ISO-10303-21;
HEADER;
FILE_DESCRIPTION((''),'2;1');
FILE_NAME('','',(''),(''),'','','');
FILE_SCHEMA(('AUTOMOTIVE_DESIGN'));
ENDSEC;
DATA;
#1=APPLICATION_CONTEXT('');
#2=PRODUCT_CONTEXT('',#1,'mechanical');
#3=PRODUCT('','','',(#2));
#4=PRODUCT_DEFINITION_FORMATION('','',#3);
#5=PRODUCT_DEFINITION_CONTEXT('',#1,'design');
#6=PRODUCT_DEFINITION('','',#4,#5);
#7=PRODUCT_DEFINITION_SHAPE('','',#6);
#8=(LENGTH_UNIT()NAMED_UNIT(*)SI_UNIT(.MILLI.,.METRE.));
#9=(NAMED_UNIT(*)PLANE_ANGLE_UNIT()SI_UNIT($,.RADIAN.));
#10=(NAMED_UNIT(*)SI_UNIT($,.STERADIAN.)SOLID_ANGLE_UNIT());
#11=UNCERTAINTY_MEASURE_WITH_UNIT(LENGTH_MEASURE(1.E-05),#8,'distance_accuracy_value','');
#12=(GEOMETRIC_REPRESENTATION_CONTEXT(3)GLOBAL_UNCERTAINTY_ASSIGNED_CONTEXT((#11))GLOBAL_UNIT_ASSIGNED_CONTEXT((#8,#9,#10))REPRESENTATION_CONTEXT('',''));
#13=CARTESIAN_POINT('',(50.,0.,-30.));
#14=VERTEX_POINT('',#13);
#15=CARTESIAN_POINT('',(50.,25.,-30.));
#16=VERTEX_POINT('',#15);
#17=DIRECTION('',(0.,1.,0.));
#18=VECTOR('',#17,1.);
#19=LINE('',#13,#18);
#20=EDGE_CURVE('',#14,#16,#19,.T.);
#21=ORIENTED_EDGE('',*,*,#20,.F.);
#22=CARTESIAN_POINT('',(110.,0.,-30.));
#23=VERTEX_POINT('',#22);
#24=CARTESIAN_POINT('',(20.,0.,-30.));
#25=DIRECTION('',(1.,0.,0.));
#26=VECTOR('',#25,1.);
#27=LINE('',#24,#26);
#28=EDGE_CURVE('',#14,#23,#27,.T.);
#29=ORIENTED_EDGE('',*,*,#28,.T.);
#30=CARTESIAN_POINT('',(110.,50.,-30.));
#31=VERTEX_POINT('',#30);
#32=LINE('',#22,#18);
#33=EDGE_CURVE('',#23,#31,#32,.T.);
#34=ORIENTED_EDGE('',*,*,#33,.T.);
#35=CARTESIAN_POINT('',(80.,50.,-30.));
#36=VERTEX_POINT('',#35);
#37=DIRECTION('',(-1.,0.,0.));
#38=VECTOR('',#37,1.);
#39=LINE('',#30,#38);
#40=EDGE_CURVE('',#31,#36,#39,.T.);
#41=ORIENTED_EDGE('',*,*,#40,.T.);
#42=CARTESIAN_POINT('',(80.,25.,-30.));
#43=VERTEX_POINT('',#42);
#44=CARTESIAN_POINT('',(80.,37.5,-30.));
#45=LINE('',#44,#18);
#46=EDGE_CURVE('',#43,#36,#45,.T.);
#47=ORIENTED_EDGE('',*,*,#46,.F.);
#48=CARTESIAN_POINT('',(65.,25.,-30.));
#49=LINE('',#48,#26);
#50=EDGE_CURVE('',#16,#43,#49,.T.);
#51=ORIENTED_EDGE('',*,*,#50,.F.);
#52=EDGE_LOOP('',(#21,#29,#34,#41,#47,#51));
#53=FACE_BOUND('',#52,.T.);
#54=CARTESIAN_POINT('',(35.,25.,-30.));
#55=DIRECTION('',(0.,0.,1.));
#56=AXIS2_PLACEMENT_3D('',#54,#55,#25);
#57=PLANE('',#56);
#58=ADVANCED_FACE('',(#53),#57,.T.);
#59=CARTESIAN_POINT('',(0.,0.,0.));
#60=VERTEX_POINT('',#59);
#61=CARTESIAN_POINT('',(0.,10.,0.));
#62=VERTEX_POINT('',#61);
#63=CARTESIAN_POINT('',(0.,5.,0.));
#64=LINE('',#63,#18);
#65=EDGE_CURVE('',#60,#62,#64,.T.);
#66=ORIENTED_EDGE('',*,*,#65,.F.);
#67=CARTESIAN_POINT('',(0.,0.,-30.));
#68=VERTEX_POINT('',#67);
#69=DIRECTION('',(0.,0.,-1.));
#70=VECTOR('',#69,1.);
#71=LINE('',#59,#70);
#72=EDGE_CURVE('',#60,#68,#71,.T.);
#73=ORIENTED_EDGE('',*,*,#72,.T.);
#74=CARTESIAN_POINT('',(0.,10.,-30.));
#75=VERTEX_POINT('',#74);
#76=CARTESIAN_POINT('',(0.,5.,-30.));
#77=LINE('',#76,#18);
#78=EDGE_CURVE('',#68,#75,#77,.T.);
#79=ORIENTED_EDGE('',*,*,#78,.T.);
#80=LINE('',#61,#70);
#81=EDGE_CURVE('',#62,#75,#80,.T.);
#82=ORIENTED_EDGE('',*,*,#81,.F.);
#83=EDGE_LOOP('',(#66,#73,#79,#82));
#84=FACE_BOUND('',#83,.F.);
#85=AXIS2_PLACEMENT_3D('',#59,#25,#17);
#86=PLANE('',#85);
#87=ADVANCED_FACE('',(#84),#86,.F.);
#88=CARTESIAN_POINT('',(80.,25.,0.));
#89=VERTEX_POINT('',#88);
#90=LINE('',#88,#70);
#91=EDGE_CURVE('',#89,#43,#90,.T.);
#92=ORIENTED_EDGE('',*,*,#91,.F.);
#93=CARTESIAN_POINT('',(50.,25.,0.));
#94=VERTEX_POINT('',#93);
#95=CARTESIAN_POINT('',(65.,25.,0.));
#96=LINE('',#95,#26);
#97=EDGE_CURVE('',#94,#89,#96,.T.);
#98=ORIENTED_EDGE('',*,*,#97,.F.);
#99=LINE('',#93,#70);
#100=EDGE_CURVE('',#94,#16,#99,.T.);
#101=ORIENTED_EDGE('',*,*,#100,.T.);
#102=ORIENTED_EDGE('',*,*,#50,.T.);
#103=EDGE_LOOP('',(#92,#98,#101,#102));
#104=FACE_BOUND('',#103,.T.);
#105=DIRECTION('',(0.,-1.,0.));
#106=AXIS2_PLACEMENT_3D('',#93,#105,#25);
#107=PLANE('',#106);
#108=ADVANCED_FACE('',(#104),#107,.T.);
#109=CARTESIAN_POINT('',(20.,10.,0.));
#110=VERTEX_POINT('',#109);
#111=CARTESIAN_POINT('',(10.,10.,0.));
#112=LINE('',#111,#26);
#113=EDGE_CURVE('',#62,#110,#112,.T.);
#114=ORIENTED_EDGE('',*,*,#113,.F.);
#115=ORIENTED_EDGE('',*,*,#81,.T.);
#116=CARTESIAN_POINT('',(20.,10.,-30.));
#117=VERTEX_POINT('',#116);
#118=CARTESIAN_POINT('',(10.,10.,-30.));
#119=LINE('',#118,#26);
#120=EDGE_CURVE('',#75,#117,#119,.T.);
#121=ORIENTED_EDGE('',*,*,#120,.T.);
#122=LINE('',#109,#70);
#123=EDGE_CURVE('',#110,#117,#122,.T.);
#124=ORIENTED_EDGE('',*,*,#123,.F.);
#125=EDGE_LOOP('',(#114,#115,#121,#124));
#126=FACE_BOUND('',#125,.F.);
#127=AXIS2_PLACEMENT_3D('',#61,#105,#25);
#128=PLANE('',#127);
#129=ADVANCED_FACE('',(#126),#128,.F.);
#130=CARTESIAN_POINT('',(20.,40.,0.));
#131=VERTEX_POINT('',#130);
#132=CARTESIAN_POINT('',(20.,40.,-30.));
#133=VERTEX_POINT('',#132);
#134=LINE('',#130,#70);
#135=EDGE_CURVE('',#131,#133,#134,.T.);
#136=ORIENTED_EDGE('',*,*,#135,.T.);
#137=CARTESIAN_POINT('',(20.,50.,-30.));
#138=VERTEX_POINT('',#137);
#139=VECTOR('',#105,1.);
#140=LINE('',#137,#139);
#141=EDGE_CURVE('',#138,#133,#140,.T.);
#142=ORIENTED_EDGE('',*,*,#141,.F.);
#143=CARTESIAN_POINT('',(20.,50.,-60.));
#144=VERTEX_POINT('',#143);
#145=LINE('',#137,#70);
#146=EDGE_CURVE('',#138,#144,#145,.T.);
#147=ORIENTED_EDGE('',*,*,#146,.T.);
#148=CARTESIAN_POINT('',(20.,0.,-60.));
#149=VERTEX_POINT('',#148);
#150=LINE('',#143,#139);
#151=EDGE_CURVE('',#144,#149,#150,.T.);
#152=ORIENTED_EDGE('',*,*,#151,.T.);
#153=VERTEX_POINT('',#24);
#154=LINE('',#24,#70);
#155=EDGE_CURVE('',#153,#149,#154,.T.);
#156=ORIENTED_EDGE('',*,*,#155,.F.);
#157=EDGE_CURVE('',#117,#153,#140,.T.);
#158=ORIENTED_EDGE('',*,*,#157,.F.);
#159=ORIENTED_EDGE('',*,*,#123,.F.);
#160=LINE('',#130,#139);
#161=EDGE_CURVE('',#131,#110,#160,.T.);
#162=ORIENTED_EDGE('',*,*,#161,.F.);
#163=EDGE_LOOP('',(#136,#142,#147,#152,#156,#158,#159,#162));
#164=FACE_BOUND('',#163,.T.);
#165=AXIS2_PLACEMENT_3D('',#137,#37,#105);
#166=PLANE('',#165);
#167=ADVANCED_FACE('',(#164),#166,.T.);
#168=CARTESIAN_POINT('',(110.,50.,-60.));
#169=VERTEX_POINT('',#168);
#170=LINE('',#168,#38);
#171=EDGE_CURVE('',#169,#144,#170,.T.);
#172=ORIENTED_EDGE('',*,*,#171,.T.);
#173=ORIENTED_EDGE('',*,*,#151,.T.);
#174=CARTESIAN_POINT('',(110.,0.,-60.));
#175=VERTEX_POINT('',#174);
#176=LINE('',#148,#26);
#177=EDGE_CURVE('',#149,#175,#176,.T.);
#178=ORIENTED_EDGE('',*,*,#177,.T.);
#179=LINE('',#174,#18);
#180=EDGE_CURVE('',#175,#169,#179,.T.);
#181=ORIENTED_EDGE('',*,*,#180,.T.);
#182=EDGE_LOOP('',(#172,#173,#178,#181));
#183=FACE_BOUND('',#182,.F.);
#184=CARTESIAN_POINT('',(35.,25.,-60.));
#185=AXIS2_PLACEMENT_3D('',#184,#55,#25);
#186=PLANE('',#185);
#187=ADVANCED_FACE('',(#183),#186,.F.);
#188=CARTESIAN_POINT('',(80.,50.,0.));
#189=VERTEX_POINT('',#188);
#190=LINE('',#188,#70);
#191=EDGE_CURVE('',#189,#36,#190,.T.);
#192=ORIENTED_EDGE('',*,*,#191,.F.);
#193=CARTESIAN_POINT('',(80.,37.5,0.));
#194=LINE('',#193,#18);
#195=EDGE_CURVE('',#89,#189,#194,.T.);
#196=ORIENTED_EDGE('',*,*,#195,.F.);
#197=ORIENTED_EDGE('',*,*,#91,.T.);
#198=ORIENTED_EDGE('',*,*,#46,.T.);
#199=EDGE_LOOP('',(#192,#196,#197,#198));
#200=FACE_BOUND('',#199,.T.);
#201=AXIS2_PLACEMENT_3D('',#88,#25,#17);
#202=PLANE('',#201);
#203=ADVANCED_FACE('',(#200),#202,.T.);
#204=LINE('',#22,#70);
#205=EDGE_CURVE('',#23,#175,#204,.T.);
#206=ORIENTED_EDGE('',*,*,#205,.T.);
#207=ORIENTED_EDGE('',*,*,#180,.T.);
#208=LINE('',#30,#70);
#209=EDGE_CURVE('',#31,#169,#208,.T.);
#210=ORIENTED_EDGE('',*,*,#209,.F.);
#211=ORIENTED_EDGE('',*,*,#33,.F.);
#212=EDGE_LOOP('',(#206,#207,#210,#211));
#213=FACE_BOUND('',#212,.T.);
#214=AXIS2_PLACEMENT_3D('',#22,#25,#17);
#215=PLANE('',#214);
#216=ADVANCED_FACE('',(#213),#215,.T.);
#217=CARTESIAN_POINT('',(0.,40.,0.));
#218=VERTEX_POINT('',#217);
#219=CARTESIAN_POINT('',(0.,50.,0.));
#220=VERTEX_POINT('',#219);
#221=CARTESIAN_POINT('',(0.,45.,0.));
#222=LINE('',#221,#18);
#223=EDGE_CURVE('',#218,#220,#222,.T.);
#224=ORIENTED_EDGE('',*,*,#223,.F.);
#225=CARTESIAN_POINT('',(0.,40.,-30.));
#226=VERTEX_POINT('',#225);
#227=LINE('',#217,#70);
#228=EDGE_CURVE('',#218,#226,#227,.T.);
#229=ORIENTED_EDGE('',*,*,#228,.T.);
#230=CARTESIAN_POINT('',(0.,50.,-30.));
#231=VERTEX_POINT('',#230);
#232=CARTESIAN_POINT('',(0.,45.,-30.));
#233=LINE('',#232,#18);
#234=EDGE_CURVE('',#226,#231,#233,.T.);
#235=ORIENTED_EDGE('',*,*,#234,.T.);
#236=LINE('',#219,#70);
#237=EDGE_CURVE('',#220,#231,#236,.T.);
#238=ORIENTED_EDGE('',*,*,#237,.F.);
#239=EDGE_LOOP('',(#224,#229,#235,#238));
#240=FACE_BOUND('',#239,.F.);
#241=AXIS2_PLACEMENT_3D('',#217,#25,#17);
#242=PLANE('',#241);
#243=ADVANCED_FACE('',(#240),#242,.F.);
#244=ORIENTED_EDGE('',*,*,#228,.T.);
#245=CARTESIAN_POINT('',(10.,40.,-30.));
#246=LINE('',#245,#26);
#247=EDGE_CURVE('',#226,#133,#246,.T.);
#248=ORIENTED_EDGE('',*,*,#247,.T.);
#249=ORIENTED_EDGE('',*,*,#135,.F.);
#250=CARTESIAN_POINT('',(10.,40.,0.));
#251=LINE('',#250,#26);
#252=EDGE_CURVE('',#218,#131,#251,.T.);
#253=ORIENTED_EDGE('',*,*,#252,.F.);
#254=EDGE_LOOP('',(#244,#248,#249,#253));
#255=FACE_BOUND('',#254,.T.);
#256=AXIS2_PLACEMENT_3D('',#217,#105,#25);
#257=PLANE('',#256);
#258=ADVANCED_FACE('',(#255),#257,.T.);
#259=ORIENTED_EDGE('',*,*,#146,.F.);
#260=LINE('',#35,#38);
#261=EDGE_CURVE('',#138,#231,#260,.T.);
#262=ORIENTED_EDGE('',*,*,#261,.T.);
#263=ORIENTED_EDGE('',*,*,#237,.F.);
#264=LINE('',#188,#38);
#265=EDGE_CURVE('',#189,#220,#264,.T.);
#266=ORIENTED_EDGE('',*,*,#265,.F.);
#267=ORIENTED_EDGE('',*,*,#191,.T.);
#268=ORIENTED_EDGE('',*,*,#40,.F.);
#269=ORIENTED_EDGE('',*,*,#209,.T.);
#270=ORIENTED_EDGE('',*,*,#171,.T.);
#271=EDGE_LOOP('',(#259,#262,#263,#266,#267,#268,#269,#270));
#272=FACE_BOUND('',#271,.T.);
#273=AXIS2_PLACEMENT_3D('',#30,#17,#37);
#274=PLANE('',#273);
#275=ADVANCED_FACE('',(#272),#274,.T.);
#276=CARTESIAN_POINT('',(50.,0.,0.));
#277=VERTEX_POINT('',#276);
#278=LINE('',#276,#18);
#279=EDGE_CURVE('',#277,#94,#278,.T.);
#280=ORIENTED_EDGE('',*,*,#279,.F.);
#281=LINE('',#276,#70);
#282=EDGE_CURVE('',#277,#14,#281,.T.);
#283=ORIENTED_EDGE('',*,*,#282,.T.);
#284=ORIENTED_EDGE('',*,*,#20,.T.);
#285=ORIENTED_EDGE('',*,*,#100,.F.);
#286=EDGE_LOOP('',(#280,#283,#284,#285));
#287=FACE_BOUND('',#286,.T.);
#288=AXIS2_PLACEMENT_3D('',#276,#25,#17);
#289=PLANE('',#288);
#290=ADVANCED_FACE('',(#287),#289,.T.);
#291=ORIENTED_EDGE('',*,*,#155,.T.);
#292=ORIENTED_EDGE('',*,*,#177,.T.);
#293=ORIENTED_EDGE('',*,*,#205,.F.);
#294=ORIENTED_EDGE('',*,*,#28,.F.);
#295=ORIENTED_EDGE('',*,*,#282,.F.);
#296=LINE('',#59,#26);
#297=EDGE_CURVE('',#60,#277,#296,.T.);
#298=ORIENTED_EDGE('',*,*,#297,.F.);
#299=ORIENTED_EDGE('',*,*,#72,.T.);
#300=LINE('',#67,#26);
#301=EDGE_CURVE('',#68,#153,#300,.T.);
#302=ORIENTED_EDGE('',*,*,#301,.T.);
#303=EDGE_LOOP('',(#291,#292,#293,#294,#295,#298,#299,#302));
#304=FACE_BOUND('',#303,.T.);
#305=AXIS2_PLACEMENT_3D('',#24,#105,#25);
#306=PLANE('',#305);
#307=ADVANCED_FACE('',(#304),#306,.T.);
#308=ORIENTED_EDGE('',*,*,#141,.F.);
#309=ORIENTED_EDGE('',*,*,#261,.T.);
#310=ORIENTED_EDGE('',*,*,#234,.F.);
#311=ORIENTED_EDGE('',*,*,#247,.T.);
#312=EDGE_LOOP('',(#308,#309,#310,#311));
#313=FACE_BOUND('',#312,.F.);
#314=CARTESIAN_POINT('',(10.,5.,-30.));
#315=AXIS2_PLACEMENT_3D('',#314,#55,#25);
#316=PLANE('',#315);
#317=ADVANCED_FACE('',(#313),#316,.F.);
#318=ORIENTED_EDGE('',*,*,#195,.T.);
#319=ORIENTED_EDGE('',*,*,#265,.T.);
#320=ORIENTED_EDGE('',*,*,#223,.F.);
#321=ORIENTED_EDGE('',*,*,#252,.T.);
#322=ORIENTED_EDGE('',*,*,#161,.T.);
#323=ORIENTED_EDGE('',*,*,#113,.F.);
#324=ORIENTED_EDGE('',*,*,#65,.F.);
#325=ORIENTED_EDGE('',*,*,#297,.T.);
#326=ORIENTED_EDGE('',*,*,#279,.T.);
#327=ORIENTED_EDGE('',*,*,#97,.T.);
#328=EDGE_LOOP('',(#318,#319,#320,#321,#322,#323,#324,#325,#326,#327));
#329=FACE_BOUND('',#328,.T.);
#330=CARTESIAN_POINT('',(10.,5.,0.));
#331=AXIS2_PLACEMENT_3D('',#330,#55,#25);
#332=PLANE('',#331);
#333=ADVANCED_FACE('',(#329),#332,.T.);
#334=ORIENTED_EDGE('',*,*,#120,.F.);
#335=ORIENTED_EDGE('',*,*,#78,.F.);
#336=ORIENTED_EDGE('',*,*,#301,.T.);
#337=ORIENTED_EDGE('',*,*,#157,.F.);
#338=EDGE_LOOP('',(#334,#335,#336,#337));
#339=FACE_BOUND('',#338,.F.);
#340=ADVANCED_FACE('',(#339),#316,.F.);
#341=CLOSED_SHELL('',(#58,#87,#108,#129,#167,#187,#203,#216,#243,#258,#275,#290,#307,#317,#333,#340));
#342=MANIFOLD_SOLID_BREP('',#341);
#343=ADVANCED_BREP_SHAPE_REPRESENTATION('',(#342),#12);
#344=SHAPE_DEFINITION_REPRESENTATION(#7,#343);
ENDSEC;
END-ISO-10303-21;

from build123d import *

# Parameters (mm, degrees)
F0_W     = 20
F0_H     = 10
F0_W_2   = 30
F0_H_2   = 25
F1_DEPTH = 30
F2_START = -30
F2_DEPTH = 30


with BuildPart() as f1:
    # F0 (on Top) → F1 (new body)
    with BuildSketch(Plane.XY):
        with Locations((10, 5)):
            Rectangle(F0_W, F0_H)
        with Locations((10, 45)):
            Rectangle(F0_W, F0_H)
        Polygon((20, 10), (20, 0), (50, 0), (50, 25), (50, 50), (20, 50), (20, 40), align=None)
        with Locations((65, 37.5)):
            Rectangle(F0_W_2, F0_H_2)
    extrude(amount=-F1_DEPTH)

    # F0 (on Top) → F2 (join)
    with BuildSketch(Plane.XY.offset(F2_START)):
        Polygon((20, 10), (20, 0), (50, 0), (50, 25), (50, 50), (20, 50), (20, 40), align=None)
        with Locations((65, 37.5)):
            Rectangle(F0_W_2, F0_H_2)
        Polygon((80, 25), (80, 0), (110, 0), (110, 50), (80, 50), align=None)
        with Locations((65, 12.5)):
            Rectangle(F0_W_2, F0_H_2)
    extrude(amount=-F2_DEPTH)


solid = f1.part
